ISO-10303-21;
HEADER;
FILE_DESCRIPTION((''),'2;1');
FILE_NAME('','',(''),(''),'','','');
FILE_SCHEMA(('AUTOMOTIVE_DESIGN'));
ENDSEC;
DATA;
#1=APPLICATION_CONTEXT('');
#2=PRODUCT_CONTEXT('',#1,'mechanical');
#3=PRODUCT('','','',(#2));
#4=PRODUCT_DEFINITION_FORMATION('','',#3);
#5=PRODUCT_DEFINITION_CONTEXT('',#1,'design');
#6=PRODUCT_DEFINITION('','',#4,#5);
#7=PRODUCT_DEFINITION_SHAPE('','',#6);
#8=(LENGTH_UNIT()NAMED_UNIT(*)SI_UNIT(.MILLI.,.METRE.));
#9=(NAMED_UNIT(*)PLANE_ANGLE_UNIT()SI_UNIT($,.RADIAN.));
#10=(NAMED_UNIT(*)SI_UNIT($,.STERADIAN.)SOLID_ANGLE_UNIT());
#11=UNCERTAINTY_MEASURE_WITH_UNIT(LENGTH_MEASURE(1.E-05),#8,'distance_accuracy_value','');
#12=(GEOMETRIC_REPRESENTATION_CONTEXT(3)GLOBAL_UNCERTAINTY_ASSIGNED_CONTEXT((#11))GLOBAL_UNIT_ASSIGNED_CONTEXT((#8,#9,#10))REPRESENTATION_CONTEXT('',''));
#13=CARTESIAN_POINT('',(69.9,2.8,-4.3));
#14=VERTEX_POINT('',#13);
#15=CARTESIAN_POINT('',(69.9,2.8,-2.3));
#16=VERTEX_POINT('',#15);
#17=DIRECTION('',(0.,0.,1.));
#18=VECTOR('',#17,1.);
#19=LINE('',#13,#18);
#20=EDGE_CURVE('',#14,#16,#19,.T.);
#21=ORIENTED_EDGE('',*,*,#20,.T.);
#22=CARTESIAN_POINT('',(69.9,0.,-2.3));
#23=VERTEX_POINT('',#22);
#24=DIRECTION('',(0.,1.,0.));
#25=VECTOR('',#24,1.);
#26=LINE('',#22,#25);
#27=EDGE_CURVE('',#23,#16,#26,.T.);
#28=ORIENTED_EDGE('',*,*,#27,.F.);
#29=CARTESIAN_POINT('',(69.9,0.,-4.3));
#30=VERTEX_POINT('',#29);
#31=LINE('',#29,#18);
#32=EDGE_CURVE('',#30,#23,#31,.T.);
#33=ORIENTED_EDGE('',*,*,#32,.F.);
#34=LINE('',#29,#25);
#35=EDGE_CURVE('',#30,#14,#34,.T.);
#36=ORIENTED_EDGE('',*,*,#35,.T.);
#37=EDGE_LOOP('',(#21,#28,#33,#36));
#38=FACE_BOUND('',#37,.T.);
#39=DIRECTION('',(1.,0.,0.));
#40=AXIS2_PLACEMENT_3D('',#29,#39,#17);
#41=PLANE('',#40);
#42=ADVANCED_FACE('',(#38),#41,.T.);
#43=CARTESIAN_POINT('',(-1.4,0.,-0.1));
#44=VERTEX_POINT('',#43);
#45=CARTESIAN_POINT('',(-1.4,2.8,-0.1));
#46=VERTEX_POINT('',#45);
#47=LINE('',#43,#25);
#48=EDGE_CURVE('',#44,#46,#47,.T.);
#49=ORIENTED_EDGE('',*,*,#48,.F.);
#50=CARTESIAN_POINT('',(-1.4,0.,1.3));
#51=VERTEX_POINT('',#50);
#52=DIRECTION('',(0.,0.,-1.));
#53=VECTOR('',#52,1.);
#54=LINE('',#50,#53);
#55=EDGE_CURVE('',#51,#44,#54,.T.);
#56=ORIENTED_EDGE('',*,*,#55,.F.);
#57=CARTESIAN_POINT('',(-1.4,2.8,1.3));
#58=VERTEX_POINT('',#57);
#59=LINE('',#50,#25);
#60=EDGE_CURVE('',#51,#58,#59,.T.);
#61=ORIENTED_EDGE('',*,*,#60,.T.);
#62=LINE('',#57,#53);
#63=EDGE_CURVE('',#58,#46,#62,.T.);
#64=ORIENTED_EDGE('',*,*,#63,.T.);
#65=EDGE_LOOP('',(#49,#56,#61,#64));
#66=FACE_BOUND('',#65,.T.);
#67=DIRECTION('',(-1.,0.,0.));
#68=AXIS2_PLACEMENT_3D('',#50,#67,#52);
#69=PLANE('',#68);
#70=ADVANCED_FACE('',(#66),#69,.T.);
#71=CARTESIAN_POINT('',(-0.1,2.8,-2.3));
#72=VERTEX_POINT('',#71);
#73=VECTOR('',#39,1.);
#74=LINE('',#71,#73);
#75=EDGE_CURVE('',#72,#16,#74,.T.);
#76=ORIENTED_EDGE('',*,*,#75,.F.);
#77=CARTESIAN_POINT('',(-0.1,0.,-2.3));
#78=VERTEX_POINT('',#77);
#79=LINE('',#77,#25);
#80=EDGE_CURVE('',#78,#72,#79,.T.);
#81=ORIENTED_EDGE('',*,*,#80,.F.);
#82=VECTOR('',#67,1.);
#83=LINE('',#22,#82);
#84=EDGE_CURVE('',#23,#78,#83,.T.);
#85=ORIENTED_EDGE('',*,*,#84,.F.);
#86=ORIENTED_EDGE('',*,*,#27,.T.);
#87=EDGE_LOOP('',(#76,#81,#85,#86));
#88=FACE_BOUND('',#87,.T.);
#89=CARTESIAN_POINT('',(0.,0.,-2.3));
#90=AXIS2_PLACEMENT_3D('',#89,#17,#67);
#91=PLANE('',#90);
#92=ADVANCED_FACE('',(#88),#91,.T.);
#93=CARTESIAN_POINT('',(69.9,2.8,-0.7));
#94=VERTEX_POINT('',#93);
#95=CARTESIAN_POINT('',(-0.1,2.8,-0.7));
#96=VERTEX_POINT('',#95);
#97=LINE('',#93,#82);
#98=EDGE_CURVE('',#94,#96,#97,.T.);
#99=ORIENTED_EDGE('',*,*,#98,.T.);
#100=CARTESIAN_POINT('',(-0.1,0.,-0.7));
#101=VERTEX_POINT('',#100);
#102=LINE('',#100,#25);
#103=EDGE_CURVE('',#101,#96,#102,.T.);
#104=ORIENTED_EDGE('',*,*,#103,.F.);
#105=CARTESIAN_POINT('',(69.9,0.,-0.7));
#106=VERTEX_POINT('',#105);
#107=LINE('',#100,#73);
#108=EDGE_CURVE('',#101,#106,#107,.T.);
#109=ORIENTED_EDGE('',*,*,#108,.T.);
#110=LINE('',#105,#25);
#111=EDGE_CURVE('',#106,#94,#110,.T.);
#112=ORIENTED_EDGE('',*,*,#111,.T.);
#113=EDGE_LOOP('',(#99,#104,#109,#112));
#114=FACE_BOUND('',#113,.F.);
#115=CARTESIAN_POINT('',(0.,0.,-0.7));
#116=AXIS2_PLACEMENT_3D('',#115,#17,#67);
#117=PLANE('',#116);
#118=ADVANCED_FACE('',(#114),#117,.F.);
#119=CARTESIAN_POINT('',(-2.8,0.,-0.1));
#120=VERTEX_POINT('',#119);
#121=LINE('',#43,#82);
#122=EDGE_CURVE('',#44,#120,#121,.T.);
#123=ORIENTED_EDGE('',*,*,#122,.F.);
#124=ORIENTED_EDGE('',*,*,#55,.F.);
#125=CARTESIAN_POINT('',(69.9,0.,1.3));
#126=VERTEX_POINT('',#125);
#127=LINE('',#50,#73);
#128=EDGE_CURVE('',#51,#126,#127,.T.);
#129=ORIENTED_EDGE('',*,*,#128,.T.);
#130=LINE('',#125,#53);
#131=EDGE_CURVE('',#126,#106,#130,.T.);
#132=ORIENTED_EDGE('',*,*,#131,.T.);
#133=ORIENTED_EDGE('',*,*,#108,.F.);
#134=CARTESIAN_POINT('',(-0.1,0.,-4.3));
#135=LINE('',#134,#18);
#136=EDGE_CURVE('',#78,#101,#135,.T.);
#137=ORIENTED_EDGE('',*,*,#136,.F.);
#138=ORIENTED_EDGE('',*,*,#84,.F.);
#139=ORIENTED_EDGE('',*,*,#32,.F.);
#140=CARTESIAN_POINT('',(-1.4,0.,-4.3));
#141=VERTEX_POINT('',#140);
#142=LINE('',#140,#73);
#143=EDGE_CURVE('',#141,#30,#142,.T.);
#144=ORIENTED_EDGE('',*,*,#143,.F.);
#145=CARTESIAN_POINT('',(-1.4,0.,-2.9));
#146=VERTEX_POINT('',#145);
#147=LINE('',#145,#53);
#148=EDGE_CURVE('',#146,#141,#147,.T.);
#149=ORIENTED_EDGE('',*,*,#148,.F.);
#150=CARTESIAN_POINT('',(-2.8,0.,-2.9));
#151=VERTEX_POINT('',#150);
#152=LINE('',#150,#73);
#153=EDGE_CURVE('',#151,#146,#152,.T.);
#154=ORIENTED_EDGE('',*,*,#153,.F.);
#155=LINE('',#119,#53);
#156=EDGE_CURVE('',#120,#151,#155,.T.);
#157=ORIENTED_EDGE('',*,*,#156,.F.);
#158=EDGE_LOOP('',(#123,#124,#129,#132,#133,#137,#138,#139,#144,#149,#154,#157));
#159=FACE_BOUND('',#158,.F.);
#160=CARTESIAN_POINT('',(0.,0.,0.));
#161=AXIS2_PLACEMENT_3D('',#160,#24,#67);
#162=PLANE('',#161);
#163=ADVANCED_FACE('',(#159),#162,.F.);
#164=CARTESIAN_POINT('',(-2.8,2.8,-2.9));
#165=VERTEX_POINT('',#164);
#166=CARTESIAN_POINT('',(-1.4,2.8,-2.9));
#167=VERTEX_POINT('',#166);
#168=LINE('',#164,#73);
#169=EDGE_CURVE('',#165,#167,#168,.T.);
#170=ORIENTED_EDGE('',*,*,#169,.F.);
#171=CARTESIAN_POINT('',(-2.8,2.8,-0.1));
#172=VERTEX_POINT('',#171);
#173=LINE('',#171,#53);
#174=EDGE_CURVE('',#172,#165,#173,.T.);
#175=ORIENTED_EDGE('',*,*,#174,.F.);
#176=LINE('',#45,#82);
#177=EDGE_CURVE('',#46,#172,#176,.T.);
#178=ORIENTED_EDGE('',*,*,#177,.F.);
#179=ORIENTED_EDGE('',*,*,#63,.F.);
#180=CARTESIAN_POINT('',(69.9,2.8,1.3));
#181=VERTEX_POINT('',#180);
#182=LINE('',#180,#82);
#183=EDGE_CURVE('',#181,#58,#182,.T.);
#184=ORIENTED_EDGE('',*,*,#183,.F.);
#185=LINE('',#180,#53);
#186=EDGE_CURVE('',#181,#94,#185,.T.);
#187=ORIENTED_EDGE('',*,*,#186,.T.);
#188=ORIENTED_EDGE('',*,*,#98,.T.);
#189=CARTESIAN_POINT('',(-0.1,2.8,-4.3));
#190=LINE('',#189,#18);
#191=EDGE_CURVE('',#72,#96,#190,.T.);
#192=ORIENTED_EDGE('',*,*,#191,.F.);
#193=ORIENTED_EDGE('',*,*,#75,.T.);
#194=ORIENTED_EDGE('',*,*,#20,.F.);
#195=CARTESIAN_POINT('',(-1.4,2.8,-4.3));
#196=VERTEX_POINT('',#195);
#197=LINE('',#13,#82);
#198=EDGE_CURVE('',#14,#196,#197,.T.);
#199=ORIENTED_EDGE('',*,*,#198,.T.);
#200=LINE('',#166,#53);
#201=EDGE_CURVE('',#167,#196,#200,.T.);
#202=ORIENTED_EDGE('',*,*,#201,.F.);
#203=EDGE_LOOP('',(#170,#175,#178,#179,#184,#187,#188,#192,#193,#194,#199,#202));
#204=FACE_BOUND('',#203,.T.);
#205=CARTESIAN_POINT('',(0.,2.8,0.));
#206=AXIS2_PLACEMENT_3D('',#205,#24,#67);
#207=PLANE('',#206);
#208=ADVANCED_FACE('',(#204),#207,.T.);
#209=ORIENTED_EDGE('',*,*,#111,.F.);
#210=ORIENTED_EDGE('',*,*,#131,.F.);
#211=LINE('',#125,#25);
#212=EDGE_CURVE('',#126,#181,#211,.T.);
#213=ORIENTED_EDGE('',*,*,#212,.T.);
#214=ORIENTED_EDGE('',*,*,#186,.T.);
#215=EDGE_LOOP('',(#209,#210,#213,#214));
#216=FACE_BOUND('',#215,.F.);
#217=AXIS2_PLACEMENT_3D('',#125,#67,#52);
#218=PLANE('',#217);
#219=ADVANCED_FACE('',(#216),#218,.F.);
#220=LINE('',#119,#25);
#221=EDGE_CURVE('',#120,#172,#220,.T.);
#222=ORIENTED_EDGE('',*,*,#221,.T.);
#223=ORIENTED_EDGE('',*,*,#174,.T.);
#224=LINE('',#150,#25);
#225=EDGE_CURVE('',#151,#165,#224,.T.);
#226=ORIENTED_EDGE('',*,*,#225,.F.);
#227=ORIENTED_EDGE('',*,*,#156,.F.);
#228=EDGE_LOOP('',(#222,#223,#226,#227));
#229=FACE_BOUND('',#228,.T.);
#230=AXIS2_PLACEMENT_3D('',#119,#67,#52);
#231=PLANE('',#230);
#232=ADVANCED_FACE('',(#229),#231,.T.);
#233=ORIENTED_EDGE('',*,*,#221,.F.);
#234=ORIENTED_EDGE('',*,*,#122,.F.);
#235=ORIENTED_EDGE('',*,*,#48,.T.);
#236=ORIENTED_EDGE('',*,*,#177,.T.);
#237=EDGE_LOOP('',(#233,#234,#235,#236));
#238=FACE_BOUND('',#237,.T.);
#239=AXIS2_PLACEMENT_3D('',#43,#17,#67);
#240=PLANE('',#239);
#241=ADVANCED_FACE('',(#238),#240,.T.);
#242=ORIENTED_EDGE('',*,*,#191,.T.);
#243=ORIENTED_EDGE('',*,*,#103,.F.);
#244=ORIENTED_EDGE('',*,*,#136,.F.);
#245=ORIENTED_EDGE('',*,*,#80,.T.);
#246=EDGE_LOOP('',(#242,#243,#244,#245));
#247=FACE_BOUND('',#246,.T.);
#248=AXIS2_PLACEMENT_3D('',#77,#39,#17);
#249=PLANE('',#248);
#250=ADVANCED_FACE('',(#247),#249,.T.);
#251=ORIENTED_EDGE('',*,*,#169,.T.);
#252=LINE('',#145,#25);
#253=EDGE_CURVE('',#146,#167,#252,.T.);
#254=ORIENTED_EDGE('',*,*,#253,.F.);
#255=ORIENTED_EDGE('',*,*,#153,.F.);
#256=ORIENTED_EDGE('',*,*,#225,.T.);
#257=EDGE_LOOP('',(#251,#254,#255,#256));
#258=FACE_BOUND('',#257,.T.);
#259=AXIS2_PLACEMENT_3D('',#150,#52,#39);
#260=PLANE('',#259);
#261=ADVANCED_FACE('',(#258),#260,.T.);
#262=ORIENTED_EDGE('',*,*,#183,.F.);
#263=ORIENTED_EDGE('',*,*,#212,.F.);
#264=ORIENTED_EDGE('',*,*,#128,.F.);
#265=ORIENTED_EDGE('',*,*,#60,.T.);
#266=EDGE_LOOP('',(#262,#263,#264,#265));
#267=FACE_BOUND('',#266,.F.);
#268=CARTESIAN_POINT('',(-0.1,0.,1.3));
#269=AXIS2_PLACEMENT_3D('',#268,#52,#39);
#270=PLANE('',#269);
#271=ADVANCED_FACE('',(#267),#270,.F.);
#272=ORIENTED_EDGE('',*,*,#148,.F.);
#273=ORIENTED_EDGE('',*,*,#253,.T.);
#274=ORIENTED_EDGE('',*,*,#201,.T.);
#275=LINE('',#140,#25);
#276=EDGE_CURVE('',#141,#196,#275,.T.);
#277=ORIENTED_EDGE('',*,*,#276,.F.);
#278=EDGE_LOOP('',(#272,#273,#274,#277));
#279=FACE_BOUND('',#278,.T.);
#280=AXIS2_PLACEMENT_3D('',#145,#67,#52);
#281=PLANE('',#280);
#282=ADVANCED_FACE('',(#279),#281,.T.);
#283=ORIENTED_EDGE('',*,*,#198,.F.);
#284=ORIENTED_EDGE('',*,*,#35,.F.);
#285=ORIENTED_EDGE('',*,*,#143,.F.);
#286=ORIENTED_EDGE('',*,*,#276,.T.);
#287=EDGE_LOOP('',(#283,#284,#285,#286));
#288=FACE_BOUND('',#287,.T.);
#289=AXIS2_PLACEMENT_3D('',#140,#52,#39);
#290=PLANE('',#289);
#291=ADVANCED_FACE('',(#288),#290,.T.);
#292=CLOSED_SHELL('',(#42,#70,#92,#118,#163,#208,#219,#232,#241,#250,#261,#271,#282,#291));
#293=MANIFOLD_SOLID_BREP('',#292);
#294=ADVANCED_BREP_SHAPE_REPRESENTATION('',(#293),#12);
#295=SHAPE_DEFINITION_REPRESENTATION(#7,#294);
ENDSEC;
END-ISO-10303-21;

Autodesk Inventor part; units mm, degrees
ref_plane "YZ Plane" through (0, 0, 0) normal (1, 0, 0) x (0, 1, 0)
ref_plane "XZ Plane" through (0, 0, 0) normal (0, 1, 0) x (-1, 0, 0)
ref_plane "XY Plane" through (0, 0, 0) normal (0, 0, 1) x (1, 0, 0)
sketch "Sketch1" plane through (0, 0, 0) normal (0, 1, 0) x (-1, 0, 0)
  line L0 (2.9, 0) -> (2.9, -3) projected
  line L1 (1.5, 0) -> (2.9, 0) projected
  line L2 (1.5, 1.4) -> (1.5, 0) projected
  line L3 (0, 1.4) -> (1.5, 1.4) projected
  line L4 (0, -4.4) -> (0, 1.4) projected
  line L5 (1.5, -4.4) -> (0, -4.4) projected
  line L6 (1.5, -3) -> (1.5, -4.4) projected
  line L7 (1.5, -3) -> (2.9, -3) projected
  line L8 (0.1, -4.3) -> (0.1, 1.3)
  line L9 (0.1, 1.3) -> (1.4, 1.3)
  line L10 (1.4, 1.3) -> (1.4, -0.1)
  line L11 (1.4, -0.1) -> (2.8, -0.1)
  line L12 (2.8, -0.1) -> (2.8, -2.9)
  line L13 (2.8, -2.9) -> (1.4, -2.9)
  line L14 (1.4, -2.9) -> (1.4, -4.3)
  line L15 (1.4, -4.3) -> (0.1, -4.3)
  line L16 (0.1, -4.3) -> (-69.9, -4.3)
  line L17 (-69.9, -4.3) -> (-69.9, -2.3)
  line L18 (-69.9, -2.3) -> (0.1, -2.3)
  line L19 (0.1, -2.3) -> (0.1, -4.3)
  line L20 (0.1, 1.3) -> (-69.9, 1.3)
  line L21 (-69.9, 1.3) -> (-69.9, -0.7)
  line L22 (-69.9, -0.7) -> (0.1, -0.7)
  line L23 (0.1, -0.7) -> (0.1, 1.3)
  point P0 (0, 0)
  point P1 (0.1, -0.7)
  point P2 (0.1, -2.3)
  dimension "d0" = 0.1
  dimension "d1" = 1.6
  dimension "d2" = 70
extrude "Extrusion1" add sketch "Sketch1" along normal blind 2.8 contours L20 L8 L22 L4 | L4 L22 L21 L20 | L16 L17 L18 L4 | L4 L18 L8 L16 | L9 L10 L11 L12 L13 L14 L15 L8
equation "\"d0\" = slack"
equation "\"slack\" = 0.1"
equation "\"slack2\" = 0.1"
properties part number "Widełki"
